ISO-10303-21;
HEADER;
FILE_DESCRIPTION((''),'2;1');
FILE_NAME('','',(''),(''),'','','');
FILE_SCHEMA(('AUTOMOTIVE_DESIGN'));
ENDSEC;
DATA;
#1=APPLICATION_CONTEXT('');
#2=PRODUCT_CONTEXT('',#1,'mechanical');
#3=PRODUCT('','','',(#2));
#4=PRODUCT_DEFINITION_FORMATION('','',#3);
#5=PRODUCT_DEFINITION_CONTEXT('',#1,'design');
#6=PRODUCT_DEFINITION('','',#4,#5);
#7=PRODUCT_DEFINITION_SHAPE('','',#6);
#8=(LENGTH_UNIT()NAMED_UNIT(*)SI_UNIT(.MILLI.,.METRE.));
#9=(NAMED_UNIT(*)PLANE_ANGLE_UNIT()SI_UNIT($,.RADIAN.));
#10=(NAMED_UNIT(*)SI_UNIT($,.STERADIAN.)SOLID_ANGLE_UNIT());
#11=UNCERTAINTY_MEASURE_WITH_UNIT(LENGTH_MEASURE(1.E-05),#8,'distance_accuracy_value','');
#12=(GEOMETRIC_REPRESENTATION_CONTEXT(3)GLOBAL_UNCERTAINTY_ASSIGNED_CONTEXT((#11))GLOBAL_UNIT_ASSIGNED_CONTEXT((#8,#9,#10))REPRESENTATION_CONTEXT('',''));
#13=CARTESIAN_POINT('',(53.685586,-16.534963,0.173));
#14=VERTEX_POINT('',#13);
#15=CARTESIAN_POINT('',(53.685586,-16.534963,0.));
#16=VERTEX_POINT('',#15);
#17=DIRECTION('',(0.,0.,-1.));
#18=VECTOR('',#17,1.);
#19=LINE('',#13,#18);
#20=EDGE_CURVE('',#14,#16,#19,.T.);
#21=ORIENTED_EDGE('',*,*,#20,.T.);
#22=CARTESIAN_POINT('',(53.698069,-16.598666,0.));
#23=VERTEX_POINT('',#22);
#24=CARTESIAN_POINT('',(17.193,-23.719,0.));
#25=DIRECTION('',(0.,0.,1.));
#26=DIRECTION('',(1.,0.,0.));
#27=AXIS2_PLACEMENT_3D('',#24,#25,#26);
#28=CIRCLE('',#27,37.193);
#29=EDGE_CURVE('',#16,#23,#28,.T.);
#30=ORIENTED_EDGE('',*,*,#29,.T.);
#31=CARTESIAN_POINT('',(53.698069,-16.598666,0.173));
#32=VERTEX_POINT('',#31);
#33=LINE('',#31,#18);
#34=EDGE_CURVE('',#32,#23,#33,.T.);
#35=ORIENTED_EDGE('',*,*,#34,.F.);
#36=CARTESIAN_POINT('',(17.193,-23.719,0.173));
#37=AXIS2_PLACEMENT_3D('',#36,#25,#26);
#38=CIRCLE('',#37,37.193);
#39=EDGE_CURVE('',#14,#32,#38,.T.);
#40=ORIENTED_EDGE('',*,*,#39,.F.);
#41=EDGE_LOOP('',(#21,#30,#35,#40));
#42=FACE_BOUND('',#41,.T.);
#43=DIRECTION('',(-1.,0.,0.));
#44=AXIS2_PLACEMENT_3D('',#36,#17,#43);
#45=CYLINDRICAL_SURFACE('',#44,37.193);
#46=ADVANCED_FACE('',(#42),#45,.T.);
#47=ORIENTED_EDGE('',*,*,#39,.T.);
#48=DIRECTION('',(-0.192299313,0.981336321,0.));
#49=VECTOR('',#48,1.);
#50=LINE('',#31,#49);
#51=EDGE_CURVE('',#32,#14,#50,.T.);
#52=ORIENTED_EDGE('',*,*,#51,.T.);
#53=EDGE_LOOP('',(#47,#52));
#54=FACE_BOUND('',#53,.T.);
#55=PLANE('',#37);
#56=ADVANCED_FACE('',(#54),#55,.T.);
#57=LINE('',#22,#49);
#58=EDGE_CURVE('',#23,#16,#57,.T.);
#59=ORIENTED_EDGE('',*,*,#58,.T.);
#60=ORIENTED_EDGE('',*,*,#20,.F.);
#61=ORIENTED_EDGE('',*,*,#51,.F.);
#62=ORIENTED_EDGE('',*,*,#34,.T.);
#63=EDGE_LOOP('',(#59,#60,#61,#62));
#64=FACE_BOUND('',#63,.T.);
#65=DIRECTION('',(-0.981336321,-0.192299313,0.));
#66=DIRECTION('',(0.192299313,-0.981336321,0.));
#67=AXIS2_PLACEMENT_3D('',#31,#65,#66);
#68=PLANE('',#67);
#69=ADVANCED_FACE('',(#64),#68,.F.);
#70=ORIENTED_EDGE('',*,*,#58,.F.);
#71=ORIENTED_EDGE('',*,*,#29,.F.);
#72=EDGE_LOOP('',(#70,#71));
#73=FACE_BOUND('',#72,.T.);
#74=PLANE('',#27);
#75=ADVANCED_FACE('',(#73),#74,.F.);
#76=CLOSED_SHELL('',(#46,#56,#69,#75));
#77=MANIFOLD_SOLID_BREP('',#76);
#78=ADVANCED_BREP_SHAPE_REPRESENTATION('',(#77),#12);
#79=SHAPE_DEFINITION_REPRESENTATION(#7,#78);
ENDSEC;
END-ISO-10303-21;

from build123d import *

# Parameters (mm, degrees)
CURVEBOSS_DEPTH = 0.173


with BuildPart() as part:
    # CurveSketch → CurveBoss (new body)
    with BuildSketch(Plane.XY):
        with BuildLine():
            Line((53.698069335, -16.598665607), (53.685586413, -16.534963119))
            ThreePointArc((53.685586413, -16.534963119), (-19.305841771, -30.871188361), (53.698069335, -16.598665607))
        make_face()
    extrude(amount=CURVEBOSS_DEPTH)


solid = part.part
